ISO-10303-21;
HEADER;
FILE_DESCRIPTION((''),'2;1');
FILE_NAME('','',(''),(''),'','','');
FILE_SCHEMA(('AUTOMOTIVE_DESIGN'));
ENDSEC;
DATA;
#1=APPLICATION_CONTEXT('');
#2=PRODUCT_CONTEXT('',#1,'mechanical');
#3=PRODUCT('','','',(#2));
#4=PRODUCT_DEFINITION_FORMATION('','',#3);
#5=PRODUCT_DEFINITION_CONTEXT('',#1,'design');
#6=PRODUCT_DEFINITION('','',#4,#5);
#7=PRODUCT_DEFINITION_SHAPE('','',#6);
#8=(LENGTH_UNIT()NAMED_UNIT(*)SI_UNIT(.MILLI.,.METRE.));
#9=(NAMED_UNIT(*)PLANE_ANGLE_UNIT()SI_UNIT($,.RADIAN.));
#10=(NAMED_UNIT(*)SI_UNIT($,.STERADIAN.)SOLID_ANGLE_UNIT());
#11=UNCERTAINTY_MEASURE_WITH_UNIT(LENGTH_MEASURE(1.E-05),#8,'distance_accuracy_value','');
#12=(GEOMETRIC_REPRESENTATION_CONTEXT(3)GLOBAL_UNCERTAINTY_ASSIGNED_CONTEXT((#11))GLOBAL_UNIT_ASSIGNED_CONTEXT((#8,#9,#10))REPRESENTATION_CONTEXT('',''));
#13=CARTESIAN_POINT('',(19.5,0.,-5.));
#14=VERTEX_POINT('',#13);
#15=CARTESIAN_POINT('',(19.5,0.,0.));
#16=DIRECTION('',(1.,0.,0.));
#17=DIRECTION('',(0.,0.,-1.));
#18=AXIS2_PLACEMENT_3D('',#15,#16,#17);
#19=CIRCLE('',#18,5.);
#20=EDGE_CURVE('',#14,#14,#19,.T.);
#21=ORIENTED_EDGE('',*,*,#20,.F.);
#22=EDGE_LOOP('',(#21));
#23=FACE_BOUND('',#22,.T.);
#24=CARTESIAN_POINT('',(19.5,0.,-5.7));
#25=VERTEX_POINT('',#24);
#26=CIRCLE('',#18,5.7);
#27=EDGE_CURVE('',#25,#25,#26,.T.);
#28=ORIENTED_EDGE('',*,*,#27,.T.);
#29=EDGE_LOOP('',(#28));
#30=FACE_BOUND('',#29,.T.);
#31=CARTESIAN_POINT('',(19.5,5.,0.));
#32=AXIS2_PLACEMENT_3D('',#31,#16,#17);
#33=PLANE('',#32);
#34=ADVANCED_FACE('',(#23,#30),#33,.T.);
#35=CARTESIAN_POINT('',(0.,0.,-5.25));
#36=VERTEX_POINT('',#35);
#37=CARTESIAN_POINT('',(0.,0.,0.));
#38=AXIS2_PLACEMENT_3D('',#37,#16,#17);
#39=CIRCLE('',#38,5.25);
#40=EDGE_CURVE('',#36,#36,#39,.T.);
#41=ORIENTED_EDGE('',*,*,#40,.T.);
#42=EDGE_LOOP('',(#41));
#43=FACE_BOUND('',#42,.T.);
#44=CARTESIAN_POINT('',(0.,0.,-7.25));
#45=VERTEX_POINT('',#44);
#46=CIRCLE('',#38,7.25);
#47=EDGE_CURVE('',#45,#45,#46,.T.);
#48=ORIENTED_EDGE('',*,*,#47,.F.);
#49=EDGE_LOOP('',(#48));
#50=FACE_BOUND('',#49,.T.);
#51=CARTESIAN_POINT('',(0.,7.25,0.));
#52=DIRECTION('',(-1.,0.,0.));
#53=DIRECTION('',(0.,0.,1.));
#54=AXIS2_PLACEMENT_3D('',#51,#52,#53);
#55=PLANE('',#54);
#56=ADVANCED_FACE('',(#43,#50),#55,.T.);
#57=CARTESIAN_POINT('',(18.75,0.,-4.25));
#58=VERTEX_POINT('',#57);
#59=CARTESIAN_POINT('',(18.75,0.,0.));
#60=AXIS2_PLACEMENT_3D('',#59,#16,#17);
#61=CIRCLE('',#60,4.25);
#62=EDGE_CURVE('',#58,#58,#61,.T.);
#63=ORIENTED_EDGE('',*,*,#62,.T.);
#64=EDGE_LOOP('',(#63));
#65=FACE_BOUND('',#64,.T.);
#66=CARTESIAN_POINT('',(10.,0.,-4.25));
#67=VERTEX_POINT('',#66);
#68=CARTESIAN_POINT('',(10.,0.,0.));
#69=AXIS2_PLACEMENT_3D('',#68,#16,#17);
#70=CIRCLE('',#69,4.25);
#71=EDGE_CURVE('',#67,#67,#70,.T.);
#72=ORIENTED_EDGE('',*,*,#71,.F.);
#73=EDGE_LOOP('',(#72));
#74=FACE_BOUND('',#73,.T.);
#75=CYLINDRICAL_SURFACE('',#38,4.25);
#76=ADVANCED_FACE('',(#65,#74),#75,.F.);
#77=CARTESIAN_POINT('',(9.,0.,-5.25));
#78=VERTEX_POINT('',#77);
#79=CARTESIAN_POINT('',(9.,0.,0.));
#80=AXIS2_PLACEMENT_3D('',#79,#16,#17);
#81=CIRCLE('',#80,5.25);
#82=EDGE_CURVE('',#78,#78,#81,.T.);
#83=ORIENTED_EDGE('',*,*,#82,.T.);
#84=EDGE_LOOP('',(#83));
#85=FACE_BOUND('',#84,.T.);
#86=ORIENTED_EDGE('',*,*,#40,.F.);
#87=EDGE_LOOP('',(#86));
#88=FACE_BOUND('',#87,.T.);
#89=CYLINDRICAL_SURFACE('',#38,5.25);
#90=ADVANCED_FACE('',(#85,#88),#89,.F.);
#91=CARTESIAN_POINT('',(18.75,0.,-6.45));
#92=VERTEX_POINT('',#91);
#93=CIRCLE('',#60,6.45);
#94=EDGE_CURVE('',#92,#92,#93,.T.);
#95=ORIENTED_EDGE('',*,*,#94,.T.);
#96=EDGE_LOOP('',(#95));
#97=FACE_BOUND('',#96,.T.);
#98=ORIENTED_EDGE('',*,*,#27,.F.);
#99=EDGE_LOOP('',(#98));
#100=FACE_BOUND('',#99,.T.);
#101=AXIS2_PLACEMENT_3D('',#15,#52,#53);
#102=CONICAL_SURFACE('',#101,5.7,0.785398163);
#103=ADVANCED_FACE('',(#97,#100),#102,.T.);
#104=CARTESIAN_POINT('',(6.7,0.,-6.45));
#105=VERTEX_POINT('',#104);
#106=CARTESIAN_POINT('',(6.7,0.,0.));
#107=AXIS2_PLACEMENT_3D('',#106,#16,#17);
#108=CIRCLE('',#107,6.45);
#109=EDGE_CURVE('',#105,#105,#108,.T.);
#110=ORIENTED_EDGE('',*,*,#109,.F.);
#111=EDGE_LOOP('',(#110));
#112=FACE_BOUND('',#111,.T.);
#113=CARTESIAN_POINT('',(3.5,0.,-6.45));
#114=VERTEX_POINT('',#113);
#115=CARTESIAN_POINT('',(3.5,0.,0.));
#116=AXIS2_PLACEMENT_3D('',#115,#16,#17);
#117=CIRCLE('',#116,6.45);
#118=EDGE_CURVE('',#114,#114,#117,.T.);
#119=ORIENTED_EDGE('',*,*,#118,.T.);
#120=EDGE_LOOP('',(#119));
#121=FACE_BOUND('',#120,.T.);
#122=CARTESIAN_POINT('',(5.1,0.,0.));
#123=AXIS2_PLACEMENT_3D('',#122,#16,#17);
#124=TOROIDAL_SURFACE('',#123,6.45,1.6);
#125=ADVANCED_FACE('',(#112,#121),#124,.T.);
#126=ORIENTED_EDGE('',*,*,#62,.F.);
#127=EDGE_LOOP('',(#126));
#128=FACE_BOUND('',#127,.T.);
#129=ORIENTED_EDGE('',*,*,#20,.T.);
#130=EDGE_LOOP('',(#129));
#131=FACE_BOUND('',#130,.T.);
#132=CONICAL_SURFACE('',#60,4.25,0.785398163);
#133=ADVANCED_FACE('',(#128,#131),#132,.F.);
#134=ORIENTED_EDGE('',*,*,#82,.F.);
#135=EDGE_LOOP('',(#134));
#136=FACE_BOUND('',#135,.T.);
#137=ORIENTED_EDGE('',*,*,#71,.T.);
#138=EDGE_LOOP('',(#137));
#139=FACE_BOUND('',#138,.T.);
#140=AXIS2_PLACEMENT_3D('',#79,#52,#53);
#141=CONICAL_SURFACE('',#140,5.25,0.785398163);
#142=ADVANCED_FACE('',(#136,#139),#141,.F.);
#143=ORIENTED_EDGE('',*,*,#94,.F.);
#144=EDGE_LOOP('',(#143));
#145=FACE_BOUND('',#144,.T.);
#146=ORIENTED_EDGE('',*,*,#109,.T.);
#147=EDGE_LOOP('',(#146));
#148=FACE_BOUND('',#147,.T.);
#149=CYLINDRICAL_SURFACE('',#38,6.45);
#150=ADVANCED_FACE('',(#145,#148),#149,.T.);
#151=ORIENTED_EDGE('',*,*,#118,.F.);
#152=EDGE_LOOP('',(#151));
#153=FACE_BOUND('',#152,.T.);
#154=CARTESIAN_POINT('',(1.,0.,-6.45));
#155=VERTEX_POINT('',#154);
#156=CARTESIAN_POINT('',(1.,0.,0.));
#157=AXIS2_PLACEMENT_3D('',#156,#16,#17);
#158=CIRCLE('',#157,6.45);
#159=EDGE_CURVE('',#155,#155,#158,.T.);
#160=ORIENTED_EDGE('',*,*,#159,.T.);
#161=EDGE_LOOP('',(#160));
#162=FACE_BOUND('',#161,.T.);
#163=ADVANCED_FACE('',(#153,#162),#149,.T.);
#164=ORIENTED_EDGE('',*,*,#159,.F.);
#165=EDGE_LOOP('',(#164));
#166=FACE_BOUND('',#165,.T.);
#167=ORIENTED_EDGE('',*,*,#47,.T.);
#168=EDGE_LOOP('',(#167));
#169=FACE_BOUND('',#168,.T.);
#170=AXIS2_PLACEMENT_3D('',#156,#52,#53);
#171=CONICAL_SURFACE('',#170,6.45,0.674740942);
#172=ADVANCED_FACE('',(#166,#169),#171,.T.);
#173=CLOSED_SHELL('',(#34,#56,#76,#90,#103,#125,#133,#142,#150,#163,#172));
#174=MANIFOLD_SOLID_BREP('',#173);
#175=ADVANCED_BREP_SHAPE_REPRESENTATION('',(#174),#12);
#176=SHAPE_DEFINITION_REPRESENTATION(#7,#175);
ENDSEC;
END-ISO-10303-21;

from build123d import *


with BuildPart() as part:
    # Эскиз1 → Повернуть1 (revolve)
    with BuildSketch(Plane.XY, mode=Mode.PRIVATE) as revolve_1_sk:
        with BuildLine():
            Line((0, 7.25), (0, 5.25))
            Line((0, 5.25), (9, 5.25))
            Line((9, 5.25), (10, 4.25))
            Line((10, 4.25), (18.75, 4.25))
            Line((18.75, 4.25), (19.5, 5))
            Line((19.5, 5), (19.5, 5.7))
            Line((19.5, 5.7), (18.75, 6.45))
            Line((18.75, 6.45), (6.7, 6.45))
            ThreePointArc((6.7, 6.45), (5.1, 8.05), (3.5, 6.45))
            Line((3.5, 6.45), (1, 6.45))
            Line((1, 6.45), (0, 7.25))
        make_face()
    revolve(revolve_1_sk.sketch.rotate(Axis((0, 0, 0), (-1, 0, 0)), 90), axis=Axis((0, 0, 0), (-1, 0, 0)))


solid = part.part
